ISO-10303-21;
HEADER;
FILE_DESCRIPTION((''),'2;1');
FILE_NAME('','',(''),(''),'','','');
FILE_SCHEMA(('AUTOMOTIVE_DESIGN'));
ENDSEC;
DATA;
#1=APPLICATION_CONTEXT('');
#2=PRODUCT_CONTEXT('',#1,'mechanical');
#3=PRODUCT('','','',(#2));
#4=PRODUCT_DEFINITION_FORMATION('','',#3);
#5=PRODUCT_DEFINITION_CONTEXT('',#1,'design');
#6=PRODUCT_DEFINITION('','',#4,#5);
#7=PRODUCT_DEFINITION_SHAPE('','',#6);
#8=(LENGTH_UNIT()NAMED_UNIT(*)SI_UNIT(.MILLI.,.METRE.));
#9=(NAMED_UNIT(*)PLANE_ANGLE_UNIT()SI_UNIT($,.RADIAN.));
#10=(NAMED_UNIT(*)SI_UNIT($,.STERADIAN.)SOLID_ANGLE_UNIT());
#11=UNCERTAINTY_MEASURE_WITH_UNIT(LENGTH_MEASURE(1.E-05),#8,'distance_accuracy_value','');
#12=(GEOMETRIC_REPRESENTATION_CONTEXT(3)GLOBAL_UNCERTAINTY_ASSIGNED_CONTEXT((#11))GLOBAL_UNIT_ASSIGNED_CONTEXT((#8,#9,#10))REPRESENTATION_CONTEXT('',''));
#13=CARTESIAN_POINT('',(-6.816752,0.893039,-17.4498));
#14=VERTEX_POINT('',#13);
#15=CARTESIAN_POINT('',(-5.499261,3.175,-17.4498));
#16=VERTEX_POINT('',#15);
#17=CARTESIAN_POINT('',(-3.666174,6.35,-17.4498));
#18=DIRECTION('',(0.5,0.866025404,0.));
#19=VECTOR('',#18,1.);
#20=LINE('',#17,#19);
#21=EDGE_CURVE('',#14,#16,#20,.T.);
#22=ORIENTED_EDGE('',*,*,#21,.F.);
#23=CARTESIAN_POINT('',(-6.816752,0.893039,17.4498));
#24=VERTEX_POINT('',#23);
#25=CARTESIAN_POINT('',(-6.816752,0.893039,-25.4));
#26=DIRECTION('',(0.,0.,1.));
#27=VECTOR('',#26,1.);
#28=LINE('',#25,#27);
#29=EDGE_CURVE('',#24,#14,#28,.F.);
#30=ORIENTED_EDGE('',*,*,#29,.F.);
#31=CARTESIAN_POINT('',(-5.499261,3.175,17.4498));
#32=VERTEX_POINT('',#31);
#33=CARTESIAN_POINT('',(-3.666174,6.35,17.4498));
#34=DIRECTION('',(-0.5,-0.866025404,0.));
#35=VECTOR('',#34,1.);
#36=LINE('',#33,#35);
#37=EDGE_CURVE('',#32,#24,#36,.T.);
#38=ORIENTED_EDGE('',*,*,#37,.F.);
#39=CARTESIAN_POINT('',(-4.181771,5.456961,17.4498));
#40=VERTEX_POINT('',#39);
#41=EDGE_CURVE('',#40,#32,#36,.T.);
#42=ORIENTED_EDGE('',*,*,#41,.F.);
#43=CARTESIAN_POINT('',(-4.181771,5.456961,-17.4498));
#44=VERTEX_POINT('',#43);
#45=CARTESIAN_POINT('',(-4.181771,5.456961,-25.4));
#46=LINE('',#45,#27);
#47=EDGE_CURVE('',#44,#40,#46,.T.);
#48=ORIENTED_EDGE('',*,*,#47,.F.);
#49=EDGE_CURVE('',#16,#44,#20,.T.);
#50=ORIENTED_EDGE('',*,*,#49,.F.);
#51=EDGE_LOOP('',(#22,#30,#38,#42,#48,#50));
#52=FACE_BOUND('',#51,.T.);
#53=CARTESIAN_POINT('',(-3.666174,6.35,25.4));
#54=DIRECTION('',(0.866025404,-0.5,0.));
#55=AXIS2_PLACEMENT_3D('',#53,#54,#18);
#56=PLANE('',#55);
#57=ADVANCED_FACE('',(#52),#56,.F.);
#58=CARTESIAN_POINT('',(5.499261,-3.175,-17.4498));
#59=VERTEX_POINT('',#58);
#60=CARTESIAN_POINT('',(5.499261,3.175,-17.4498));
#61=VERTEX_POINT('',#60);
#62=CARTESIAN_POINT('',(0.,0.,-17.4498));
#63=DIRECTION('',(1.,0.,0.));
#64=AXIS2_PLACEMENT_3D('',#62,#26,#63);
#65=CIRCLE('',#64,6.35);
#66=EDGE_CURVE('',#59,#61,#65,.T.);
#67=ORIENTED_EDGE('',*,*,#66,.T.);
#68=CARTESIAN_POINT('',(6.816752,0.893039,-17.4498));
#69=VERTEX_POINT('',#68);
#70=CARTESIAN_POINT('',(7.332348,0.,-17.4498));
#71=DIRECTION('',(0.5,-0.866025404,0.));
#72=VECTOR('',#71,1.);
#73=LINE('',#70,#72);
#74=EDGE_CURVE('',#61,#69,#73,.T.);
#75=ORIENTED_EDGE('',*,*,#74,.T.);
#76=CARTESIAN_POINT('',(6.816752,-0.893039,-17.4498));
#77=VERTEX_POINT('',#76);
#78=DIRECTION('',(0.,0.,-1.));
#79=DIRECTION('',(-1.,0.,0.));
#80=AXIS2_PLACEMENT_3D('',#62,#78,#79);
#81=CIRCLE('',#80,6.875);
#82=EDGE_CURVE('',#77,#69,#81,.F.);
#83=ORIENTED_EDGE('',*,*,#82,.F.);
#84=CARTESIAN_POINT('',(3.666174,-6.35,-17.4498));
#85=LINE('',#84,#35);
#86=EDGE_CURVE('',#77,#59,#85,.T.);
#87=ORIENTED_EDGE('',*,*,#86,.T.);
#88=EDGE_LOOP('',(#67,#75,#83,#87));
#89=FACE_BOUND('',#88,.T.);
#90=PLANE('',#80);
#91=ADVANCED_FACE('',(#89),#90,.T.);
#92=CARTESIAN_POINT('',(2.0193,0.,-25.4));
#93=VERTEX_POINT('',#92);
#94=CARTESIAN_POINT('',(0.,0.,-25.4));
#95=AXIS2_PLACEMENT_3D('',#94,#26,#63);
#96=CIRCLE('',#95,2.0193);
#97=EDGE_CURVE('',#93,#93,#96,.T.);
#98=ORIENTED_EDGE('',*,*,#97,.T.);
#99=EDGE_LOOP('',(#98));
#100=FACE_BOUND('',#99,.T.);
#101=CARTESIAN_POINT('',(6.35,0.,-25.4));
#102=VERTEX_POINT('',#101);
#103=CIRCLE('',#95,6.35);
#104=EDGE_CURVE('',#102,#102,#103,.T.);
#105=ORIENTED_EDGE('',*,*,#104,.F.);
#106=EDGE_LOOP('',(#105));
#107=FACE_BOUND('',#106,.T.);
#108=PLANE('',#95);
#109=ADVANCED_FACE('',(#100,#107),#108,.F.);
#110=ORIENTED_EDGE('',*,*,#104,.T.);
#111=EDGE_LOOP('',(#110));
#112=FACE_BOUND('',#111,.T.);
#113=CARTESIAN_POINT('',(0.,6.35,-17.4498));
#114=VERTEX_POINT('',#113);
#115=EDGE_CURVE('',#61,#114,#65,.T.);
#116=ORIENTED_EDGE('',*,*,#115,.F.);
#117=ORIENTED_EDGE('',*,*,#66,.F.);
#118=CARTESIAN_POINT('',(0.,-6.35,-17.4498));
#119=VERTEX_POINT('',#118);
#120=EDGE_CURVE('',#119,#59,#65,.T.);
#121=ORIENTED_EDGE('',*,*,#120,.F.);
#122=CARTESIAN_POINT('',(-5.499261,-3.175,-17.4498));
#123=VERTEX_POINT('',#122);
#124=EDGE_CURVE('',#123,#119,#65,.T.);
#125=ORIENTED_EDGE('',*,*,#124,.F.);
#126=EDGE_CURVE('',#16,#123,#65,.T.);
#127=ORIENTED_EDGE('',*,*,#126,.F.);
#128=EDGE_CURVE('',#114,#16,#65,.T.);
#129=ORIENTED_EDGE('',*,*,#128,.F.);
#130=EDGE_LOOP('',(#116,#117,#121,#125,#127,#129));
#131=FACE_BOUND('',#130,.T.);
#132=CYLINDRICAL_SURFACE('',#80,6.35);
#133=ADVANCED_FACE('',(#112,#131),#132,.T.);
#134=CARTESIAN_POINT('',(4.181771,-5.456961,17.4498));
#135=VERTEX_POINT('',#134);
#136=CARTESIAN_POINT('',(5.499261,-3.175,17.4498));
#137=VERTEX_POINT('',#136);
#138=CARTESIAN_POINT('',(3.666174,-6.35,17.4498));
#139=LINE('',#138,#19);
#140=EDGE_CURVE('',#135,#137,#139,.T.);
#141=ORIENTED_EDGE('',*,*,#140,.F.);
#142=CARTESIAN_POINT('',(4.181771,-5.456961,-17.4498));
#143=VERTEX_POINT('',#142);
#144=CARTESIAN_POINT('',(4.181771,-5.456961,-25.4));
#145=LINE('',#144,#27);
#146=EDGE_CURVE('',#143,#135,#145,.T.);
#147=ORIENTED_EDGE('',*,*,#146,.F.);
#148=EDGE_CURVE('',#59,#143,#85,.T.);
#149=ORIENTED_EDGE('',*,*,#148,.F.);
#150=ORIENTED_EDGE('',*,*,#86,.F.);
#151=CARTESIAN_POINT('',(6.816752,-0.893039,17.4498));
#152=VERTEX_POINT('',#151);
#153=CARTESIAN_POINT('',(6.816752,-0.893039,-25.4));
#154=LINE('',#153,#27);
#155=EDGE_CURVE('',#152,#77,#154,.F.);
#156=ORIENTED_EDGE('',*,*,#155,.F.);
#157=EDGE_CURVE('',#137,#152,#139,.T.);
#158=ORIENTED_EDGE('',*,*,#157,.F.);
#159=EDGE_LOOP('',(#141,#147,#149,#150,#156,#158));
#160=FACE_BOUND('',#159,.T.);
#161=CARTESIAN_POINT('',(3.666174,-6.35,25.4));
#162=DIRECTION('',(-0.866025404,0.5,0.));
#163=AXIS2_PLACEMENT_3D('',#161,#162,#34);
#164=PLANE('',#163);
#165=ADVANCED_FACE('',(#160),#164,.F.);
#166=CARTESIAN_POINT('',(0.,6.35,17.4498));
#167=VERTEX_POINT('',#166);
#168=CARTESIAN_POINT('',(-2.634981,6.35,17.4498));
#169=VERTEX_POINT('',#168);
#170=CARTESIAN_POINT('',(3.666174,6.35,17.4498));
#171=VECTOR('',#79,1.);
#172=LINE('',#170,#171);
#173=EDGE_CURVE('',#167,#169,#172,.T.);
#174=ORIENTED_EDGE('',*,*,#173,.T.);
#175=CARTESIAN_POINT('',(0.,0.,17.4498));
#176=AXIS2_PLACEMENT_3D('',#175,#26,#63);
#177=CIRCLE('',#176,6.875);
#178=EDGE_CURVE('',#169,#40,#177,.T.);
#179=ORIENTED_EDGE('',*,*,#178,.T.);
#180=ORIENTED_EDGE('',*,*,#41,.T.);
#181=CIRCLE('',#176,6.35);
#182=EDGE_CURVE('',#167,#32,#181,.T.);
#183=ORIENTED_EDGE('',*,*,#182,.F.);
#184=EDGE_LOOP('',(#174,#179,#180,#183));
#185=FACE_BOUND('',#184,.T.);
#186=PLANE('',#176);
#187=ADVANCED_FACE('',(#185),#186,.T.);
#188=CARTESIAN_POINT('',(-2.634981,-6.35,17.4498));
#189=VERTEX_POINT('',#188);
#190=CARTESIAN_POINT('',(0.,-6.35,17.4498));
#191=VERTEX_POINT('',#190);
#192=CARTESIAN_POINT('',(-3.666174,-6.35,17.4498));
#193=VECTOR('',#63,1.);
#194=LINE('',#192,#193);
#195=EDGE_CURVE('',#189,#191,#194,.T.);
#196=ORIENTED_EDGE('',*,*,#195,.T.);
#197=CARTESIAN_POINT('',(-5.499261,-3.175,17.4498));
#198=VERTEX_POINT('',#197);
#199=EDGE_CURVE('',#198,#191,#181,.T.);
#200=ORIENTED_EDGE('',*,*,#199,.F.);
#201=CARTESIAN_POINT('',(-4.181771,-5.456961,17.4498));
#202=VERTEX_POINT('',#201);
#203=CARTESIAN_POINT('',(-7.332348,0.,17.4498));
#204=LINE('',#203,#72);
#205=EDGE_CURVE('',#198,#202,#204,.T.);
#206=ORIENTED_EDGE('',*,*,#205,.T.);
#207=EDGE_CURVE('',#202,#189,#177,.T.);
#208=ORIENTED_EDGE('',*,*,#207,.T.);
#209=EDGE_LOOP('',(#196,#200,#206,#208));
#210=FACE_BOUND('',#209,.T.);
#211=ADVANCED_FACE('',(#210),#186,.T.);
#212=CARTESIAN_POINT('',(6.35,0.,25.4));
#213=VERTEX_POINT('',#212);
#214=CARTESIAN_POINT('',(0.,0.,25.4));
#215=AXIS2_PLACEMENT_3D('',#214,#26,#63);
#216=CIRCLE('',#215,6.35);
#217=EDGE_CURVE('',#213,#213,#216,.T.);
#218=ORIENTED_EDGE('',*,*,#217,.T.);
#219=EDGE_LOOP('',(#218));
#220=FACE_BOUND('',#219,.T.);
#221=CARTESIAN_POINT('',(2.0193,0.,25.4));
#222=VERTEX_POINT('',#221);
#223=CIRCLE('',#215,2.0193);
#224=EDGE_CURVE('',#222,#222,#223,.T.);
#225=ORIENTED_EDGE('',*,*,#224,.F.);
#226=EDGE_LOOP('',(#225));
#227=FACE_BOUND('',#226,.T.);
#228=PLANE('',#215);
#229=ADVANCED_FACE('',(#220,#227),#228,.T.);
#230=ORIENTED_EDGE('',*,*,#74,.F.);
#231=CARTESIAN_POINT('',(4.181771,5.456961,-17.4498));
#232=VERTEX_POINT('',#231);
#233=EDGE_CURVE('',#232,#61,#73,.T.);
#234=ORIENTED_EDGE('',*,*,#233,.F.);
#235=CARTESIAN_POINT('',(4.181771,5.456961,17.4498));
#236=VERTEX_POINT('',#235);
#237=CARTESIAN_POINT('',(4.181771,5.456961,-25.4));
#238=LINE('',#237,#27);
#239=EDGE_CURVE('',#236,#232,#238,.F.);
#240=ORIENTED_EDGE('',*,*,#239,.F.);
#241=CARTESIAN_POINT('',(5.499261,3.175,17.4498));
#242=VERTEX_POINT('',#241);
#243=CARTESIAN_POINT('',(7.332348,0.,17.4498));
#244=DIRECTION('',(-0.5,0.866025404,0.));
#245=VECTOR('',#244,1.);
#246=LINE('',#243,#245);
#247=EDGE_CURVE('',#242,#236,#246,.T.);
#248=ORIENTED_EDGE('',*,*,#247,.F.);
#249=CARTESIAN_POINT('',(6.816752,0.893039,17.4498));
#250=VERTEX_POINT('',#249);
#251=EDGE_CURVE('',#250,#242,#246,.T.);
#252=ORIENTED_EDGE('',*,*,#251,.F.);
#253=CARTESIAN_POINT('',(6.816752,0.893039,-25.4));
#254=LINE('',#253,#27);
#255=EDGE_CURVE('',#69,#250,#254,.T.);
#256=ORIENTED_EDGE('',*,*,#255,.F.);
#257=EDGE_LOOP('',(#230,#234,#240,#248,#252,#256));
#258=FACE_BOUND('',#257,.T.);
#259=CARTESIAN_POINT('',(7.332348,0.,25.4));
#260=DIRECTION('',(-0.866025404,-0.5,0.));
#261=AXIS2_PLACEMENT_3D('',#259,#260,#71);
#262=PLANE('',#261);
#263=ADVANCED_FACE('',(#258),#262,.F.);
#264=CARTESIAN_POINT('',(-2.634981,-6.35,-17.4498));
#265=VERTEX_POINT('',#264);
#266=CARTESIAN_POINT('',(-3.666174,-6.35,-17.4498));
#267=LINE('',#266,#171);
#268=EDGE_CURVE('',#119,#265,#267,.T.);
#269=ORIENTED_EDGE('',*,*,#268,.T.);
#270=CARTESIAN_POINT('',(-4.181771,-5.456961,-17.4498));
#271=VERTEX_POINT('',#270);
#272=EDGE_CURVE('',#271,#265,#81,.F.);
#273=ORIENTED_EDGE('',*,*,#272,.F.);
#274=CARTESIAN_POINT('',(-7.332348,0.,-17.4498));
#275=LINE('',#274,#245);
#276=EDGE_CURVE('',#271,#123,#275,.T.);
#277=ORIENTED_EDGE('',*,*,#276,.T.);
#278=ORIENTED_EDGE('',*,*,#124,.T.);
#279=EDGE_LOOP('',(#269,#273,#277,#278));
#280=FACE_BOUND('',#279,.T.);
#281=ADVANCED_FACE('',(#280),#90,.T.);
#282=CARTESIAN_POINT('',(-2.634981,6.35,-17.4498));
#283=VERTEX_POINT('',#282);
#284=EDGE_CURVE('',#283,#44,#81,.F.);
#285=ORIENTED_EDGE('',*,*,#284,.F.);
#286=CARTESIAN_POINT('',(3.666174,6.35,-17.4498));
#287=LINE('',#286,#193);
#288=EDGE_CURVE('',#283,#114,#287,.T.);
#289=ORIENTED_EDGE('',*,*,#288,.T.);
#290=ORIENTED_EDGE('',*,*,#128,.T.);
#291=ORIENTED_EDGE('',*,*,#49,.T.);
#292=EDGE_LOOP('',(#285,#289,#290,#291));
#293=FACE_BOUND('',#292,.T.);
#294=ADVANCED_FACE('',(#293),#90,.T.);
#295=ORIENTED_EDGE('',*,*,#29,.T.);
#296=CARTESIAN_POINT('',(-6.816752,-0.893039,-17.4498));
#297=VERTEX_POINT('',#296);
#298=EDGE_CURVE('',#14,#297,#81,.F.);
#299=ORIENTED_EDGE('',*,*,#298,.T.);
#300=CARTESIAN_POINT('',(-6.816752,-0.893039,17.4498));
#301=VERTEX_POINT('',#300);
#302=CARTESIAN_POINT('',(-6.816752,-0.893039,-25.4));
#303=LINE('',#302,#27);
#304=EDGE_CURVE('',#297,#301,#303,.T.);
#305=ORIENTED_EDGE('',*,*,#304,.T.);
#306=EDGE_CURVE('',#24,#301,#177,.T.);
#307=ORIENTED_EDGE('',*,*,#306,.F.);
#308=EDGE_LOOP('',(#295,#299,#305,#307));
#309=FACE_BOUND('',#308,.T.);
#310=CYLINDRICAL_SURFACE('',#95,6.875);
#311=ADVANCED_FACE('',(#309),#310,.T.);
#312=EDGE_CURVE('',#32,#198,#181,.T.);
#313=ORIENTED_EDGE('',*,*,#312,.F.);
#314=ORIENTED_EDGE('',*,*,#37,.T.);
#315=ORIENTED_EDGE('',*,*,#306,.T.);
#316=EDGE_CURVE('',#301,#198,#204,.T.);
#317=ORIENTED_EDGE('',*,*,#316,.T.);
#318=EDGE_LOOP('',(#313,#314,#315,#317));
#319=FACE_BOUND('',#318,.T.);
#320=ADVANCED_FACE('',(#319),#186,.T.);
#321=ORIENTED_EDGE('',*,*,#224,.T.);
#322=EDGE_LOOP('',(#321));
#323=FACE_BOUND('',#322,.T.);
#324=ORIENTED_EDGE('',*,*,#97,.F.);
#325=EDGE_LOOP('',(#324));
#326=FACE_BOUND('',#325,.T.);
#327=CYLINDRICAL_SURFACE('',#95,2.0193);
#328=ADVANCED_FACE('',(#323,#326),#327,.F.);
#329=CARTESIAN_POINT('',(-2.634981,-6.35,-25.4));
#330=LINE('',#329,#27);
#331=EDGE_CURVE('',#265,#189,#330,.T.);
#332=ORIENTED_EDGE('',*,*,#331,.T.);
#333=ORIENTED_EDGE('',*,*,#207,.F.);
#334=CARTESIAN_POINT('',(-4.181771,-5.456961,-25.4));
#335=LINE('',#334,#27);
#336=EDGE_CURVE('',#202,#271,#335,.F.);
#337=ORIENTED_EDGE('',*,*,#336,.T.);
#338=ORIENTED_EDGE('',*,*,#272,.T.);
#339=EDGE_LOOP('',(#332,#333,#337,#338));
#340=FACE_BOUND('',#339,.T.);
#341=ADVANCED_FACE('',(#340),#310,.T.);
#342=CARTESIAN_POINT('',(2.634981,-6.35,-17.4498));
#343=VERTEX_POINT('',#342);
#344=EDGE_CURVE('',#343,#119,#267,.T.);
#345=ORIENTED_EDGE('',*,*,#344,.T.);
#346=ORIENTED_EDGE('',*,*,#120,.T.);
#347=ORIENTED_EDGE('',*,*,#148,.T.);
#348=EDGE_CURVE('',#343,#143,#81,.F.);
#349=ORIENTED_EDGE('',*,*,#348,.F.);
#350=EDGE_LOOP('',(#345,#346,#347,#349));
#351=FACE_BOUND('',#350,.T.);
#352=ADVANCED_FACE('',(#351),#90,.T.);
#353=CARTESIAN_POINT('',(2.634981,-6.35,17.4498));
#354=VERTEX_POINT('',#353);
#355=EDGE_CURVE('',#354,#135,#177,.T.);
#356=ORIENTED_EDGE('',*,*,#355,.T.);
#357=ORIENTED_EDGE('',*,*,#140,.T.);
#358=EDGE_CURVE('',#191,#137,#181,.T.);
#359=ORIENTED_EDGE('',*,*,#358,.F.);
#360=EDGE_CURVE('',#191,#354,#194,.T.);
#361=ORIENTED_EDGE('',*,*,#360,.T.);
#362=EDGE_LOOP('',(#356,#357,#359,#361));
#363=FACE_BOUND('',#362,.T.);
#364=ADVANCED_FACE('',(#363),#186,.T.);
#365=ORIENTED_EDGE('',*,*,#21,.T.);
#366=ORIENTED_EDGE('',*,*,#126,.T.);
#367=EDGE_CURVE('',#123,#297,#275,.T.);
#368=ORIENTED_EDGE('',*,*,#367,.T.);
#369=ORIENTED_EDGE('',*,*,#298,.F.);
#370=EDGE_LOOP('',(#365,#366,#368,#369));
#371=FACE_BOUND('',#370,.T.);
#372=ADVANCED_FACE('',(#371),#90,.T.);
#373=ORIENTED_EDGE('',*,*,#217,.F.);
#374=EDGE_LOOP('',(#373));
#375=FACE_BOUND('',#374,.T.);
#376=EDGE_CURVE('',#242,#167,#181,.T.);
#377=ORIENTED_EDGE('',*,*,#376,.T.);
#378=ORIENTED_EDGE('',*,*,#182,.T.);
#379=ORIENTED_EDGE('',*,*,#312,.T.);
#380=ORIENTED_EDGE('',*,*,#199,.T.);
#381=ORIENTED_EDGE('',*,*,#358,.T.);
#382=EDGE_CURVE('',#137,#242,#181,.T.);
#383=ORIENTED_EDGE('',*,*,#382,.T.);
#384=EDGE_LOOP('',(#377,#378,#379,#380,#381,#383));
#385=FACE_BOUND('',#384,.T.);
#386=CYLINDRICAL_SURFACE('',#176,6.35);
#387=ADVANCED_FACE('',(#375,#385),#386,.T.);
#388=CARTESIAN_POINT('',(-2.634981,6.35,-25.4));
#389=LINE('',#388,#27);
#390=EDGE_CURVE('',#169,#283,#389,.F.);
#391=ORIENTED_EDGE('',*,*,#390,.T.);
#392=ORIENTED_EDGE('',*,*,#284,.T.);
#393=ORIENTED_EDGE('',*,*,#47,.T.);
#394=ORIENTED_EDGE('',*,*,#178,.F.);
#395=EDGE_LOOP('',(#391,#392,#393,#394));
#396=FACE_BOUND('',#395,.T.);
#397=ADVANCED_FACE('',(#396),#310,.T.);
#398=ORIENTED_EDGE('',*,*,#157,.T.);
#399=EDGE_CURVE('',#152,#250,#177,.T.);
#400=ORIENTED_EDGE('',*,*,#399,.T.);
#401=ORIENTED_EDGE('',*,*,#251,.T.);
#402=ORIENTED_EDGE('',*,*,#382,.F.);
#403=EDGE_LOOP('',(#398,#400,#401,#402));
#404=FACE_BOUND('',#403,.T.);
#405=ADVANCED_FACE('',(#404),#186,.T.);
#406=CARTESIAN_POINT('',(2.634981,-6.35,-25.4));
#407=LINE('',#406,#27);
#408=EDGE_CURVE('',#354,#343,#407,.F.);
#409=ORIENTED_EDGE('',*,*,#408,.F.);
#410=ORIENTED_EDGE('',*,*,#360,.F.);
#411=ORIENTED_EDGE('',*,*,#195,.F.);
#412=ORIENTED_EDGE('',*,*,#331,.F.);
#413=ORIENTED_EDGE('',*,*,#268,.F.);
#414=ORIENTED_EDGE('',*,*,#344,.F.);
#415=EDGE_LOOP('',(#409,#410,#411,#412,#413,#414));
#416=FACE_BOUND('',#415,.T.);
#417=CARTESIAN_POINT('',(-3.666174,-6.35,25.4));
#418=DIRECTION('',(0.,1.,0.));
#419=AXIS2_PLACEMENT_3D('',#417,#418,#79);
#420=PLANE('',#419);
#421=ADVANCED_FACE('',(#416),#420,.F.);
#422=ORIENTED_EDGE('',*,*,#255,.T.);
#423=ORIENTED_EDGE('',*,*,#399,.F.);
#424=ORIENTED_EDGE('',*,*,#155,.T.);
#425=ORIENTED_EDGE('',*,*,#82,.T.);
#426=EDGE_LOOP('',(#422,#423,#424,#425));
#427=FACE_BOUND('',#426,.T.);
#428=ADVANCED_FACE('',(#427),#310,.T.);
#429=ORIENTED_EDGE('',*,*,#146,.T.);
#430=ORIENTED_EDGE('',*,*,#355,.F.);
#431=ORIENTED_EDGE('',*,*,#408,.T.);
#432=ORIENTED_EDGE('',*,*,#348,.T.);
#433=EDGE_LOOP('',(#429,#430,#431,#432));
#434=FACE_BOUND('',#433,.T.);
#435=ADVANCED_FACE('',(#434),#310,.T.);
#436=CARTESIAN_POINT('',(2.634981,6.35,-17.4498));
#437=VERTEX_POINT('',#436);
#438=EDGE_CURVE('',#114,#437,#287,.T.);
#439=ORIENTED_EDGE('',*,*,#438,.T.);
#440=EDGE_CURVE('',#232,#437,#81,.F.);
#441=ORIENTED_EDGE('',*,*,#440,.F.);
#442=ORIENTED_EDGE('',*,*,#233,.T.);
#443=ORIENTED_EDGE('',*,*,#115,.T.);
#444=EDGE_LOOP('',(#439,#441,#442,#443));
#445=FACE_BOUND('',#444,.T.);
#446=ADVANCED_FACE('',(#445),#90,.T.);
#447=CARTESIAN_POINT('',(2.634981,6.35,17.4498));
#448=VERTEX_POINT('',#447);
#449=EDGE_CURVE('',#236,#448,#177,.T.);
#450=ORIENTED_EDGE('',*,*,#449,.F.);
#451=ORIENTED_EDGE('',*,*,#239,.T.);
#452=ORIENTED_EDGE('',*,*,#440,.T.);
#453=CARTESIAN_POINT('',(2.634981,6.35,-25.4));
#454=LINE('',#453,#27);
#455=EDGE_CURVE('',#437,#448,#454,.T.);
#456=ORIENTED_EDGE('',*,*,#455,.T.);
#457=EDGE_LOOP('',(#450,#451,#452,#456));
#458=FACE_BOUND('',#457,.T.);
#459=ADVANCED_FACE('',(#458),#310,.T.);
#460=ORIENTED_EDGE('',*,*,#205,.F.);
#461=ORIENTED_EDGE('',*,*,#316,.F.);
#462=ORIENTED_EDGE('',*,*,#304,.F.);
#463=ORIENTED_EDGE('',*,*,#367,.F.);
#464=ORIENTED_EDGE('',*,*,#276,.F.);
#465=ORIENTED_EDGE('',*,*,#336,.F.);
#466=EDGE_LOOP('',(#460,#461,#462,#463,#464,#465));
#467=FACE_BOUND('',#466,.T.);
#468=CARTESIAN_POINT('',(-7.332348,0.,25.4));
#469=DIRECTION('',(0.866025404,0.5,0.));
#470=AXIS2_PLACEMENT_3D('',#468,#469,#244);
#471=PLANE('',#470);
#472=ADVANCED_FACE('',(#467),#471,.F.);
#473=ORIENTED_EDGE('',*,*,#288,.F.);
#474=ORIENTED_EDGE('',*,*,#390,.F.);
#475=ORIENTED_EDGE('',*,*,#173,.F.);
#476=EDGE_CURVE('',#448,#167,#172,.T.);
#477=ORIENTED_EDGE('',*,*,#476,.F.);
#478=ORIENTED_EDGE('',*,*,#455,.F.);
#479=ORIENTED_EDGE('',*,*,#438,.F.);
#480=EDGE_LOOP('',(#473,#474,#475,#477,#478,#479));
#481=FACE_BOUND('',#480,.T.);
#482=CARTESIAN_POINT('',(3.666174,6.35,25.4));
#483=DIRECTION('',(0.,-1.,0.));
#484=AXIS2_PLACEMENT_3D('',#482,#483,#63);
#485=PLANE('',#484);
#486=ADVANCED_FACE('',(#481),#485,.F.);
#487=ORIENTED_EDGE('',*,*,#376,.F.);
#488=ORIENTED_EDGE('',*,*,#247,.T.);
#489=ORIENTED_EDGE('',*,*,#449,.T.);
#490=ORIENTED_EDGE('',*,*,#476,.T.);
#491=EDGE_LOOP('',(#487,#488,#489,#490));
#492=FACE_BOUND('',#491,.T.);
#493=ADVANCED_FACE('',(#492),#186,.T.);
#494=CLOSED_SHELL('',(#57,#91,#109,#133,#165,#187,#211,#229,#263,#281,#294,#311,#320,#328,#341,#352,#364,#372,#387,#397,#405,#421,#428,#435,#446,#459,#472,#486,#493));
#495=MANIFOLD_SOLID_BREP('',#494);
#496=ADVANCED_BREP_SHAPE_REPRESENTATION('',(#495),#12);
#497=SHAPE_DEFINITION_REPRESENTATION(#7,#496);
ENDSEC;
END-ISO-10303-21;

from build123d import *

# Parameters (mm, degrees)
BOSS_EXTRUDE1_DEPTH = 25.4
SKETCH2_OUTSIDE_W   = 27.54
SKETCH2_OUTSIDE_H   = 25.576
SKETCH2_OUTSIDE_R   = 6.35
CUT_EXTRUDE2_DEPTH  = 7.9502
SKETCH3_OUTSIDE_W   = 27.54
SKETCH3_OUTSIDE_H   = 25.576
SKETCH3_OUTSIDE_R   = 6.875
CUT_EXTRUDE4_DEPTH  = 52.717751627
SKETCH4_R           = 2.0193
CUT_EXTRUDE5_DEPTH  = 52.654894492


with BuildPart() as part:
    # Sketch1 → Boss-Extrude1 (new, symmetric)
    with BuildSketch(Plane.XY):
        Polygon((7.332348419, 0), (3.666174209, 6.35), (-3.666174209, 6.35), (-7.332348419, 0), (-3.666174209, -6.35), (3.666174209, -6.35), align=None)
    extrude(amount=BOSS_EXTRUDE1_DEPTH, both=True)

    # Sketch2 outside → Cut-Extrude2 (cut)
    with BuildSketch(Plane.XY.offset(25.4)):
        Rectangle(SKETCH2_OUTSIDE_W, SKETCH2_OUTSIDE_H)
        Circle(SKETCH2_OUTSIDE_R, mode=Mode.SUBTRACT)
    cut_extrude2 = extrude(amount=-CUT_EXTRUDE2_DEPTH, mode=Mode.SUBTRACT)

    # Sketch3 outside → Cut-Extrude4 (cut, through all)
    with BuildSketch(Plane.XY.offset(25.4)):
        Rectangle(SKETCH3_OUTSIDE_W, SKETCH3_OUTSIDE_H)
        Circle(SKETCH3_OUTSIDE_R, mode=Mode.SUBTRACT)
    extrude(amount=-CUT_EXTRUDE4_DEPTH, mode=Mode.SUBTRACT)

    # Mirror1: Cut-Extrude2 across plane
    add(cut_extrude2.mirror(Plane.XY), mode=Mode.SUBTRACT)

    # Sketch4 → Cut-Extrude5 (cut, through all)
    with BuildSketch(Plane.XY.offset(25.4)):
        Circle(SKETCH4_R)
    extrude(amount=-CUT_EXTRUDE5_DEPTH, mode=Mode.SUBTRACT)


solid = part.part
